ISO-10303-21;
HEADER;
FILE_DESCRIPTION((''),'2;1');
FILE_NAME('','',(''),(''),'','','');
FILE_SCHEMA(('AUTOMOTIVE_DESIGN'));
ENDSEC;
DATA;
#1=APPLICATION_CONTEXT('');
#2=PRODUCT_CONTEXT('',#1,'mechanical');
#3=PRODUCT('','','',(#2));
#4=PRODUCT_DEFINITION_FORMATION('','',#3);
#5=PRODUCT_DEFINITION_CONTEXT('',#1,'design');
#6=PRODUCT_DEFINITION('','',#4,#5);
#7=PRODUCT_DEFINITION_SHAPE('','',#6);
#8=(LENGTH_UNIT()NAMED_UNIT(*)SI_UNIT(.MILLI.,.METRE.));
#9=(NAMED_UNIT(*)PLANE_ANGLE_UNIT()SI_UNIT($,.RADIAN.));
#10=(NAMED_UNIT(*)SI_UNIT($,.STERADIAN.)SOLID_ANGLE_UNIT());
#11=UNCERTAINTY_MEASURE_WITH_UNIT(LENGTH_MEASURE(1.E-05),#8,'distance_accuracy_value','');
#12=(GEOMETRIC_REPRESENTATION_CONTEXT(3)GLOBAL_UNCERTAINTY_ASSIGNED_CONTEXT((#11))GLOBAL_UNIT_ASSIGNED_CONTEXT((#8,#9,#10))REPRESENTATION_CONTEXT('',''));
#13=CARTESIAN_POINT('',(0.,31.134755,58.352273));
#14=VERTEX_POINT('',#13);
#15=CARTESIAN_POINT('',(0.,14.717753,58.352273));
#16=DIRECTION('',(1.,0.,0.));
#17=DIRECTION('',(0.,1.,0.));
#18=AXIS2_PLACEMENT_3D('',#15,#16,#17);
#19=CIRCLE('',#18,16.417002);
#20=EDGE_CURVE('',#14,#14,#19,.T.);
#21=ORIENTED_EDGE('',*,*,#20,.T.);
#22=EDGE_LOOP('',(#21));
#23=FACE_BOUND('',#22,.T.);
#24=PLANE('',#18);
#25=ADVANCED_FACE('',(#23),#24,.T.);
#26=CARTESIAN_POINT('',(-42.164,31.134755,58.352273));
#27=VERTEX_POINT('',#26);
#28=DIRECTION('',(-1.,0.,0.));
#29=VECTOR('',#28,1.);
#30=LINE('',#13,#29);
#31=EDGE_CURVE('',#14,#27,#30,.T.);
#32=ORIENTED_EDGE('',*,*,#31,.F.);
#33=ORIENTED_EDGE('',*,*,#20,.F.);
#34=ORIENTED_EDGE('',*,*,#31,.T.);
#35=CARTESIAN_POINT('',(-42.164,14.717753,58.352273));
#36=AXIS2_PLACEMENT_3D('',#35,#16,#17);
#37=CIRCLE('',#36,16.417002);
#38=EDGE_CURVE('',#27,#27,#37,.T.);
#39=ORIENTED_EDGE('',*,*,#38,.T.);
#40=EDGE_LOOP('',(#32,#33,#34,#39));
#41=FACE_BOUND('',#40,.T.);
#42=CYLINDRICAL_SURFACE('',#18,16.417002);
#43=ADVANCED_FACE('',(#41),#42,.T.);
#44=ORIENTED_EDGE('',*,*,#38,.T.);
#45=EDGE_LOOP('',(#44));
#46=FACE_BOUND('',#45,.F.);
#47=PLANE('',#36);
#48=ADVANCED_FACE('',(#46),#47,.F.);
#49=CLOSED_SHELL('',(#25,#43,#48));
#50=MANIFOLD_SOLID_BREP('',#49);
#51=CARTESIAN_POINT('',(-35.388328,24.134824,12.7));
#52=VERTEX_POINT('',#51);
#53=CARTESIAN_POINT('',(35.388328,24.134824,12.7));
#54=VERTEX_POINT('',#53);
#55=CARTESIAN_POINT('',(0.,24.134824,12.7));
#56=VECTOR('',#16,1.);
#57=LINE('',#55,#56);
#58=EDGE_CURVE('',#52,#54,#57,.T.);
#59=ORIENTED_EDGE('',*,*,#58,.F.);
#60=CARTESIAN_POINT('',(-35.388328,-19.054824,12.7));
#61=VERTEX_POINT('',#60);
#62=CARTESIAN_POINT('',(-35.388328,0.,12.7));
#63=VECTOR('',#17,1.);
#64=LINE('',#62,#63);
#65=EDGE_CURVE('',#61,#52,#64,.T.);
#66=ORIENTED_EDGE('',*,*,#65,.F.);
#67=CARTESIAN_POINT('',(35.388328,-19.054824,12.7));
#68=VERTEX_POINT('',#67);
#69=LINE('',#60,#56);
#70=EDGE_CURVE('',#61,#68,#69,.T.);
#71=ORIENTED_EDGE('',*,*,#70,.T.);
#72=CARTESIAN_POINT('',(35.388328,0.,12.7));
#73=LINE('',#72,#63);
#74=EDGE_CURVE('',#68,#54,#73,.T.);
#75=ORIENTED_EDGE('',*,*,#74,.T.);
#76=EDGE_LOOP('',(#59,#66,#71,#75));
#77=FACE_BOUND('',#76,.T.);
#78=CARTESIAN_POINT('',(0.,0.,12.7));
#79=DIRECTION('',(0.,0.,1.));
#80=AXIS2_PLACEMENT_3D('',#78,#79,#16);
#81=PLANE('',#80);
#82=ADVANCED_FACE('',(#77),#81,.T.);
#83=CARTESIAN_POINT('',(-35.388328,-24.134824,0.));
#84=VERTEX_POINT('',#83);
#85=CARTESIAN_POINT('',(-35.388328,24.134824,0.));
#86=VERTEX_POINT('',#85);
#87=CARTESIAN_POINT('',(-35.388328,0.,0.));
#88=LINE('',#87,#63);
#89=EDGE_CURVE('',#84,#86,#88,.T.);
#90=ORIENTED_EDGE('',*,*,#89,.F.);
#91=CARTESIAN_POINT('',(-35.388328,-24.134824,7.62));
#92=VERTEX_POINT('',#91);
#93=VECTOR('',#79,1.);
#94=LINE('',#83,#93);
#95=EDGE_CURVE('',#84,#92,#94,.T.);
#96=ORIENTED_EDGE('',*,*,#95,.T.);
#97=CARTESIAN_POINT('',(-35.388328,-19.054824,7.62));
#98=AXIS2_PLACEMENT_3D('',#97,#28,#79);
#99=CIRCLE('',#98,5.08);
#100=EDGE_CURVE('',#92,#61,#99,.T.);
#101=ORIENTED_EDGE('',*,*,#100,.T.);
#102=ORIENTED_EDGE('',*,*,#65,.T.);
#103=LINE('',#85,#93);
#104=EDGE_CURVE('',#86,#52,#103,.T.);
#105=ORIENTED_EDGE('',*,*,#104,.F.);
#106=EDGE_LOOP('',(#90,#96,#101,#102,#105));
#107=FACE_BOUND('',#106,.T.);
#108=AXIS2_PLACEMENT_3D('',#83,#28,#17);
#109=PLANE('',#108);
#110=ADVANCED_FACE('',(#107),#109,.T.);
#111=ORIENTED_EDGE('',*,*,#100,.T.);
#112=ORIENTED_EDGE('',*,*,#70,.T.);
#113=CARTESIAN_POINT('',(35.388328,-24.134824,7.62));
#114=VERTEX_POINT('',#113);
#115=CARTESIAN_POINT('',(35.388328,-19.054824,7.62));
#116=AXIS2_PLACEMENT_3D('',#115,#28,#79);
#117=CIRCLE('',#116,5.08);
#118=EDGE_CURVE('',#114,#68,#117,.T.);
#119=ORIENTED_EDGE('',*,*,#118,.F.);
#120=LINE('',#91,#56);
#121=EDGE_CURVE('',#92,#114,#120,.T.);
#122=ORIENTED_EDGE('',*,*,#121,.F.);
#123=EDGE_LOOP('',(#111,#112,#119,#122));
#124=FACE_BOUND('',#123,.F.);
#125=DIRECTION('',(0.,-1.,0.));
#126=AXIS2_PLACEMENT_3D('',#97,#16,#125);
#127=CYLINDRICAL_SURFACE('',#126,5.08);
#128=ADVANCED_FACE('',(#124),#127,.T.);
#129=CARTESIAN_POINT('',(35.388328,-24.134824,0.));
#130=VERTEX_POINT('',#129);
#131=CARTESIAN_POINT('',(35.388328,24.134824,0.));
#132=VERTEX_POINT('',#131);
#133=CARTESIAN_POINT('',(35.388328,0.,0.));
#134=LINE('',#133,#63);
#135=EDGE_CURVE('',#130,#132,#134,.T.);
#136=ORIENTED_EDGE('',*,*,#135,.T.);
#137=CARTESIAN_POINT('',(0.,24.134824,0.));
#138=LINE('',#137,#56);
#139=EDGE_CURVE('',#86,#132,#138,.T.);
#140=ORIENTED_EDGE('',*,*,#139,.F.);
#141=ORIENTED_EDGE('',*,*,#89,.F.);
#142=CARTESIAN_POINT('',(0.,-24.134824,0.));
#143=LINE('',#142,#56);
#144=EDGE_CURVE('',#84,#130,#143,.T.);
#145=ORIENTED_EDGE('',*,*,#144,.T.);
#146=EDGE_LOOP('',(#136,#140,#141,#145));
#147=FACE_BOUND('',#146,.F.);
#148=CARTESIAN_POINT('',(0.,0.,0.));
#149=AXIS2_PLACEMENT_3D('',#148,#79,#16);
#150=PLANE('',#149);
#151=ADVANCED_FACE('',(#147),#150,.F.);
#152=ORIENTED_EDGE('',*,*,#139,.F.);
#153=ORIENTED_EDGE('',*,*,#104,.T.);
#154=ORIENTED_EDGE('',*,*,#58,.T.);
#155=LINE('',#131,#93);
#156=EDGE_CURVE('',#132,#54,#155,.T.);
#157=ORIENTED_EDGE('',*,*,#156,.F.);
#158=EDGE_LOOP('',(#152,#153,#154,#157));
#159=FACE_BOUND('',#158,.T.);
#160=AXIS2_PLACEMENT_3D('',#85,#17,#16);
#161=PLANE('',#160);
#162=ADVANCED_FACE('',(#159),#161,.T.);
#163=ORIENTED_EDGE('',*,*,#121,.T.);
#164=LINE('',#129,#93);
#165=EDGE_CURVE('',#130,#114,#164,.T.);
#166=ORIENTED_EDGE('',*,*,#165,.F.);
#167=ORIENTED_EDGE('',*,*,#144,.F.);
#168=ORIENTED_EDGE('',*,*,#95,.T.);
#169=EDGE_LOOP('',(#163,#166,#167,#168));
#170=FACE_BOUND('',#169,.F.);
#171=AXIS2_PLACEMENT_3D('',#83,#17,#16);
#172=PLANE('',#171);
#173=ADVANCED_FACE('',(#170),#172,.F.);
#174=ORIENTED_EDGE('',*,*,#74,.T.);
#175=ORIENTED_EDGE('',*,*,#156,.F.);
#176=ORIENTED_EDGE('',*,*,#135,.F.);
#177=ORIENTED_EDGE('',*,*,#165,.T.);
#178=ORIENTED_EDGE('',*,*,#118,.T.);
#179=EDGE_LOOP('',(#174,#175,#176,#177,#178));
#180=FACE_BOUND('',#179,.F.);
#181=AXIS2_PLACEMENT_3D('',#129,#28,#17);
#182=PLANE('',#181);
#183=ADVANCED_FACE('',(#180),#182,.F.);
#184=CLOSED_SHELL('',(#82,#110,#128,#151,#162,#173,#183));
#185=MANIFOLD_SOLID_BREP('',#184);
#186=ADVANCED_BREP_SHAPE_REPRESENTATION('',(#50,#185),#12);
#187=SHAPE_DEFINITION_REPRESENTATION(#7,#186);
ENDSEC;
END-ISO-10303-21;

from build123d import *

# Parameters (mm, degrees)
F0_W     = 70.776656
F0_H     = 48.269648
F1_DEPTH = 12.7
F2_R     = 5.08
F3_R     = 16.417002
F4_DEPTH = 42.164


with BuildPart() as f1:
    # F0 (on Top) → F1 (new body)
    with BuildSketch(Plane.XY):
        Rectangle(F0_W, F0_H)
    extrude(amount=F1_DEPTH)

    # F2
    f2_edges = [f1.edges().sort_by_distance(p)[0] for p in [
        (0, -24.134824, 12.7),
    ]]
    fillet(f2_edges, radius=F2_R)


with BuildPart() as f4:
    # F3 (on Right) → F4 (new body)
    with BuildSketch(Plane.YZ):
        with Locations((14.717753, 58.352273)):
            Circle(F3_R)
    extrude(amount=-F4_DEPTH)


solid = Compound([f1.part, f4.part])
